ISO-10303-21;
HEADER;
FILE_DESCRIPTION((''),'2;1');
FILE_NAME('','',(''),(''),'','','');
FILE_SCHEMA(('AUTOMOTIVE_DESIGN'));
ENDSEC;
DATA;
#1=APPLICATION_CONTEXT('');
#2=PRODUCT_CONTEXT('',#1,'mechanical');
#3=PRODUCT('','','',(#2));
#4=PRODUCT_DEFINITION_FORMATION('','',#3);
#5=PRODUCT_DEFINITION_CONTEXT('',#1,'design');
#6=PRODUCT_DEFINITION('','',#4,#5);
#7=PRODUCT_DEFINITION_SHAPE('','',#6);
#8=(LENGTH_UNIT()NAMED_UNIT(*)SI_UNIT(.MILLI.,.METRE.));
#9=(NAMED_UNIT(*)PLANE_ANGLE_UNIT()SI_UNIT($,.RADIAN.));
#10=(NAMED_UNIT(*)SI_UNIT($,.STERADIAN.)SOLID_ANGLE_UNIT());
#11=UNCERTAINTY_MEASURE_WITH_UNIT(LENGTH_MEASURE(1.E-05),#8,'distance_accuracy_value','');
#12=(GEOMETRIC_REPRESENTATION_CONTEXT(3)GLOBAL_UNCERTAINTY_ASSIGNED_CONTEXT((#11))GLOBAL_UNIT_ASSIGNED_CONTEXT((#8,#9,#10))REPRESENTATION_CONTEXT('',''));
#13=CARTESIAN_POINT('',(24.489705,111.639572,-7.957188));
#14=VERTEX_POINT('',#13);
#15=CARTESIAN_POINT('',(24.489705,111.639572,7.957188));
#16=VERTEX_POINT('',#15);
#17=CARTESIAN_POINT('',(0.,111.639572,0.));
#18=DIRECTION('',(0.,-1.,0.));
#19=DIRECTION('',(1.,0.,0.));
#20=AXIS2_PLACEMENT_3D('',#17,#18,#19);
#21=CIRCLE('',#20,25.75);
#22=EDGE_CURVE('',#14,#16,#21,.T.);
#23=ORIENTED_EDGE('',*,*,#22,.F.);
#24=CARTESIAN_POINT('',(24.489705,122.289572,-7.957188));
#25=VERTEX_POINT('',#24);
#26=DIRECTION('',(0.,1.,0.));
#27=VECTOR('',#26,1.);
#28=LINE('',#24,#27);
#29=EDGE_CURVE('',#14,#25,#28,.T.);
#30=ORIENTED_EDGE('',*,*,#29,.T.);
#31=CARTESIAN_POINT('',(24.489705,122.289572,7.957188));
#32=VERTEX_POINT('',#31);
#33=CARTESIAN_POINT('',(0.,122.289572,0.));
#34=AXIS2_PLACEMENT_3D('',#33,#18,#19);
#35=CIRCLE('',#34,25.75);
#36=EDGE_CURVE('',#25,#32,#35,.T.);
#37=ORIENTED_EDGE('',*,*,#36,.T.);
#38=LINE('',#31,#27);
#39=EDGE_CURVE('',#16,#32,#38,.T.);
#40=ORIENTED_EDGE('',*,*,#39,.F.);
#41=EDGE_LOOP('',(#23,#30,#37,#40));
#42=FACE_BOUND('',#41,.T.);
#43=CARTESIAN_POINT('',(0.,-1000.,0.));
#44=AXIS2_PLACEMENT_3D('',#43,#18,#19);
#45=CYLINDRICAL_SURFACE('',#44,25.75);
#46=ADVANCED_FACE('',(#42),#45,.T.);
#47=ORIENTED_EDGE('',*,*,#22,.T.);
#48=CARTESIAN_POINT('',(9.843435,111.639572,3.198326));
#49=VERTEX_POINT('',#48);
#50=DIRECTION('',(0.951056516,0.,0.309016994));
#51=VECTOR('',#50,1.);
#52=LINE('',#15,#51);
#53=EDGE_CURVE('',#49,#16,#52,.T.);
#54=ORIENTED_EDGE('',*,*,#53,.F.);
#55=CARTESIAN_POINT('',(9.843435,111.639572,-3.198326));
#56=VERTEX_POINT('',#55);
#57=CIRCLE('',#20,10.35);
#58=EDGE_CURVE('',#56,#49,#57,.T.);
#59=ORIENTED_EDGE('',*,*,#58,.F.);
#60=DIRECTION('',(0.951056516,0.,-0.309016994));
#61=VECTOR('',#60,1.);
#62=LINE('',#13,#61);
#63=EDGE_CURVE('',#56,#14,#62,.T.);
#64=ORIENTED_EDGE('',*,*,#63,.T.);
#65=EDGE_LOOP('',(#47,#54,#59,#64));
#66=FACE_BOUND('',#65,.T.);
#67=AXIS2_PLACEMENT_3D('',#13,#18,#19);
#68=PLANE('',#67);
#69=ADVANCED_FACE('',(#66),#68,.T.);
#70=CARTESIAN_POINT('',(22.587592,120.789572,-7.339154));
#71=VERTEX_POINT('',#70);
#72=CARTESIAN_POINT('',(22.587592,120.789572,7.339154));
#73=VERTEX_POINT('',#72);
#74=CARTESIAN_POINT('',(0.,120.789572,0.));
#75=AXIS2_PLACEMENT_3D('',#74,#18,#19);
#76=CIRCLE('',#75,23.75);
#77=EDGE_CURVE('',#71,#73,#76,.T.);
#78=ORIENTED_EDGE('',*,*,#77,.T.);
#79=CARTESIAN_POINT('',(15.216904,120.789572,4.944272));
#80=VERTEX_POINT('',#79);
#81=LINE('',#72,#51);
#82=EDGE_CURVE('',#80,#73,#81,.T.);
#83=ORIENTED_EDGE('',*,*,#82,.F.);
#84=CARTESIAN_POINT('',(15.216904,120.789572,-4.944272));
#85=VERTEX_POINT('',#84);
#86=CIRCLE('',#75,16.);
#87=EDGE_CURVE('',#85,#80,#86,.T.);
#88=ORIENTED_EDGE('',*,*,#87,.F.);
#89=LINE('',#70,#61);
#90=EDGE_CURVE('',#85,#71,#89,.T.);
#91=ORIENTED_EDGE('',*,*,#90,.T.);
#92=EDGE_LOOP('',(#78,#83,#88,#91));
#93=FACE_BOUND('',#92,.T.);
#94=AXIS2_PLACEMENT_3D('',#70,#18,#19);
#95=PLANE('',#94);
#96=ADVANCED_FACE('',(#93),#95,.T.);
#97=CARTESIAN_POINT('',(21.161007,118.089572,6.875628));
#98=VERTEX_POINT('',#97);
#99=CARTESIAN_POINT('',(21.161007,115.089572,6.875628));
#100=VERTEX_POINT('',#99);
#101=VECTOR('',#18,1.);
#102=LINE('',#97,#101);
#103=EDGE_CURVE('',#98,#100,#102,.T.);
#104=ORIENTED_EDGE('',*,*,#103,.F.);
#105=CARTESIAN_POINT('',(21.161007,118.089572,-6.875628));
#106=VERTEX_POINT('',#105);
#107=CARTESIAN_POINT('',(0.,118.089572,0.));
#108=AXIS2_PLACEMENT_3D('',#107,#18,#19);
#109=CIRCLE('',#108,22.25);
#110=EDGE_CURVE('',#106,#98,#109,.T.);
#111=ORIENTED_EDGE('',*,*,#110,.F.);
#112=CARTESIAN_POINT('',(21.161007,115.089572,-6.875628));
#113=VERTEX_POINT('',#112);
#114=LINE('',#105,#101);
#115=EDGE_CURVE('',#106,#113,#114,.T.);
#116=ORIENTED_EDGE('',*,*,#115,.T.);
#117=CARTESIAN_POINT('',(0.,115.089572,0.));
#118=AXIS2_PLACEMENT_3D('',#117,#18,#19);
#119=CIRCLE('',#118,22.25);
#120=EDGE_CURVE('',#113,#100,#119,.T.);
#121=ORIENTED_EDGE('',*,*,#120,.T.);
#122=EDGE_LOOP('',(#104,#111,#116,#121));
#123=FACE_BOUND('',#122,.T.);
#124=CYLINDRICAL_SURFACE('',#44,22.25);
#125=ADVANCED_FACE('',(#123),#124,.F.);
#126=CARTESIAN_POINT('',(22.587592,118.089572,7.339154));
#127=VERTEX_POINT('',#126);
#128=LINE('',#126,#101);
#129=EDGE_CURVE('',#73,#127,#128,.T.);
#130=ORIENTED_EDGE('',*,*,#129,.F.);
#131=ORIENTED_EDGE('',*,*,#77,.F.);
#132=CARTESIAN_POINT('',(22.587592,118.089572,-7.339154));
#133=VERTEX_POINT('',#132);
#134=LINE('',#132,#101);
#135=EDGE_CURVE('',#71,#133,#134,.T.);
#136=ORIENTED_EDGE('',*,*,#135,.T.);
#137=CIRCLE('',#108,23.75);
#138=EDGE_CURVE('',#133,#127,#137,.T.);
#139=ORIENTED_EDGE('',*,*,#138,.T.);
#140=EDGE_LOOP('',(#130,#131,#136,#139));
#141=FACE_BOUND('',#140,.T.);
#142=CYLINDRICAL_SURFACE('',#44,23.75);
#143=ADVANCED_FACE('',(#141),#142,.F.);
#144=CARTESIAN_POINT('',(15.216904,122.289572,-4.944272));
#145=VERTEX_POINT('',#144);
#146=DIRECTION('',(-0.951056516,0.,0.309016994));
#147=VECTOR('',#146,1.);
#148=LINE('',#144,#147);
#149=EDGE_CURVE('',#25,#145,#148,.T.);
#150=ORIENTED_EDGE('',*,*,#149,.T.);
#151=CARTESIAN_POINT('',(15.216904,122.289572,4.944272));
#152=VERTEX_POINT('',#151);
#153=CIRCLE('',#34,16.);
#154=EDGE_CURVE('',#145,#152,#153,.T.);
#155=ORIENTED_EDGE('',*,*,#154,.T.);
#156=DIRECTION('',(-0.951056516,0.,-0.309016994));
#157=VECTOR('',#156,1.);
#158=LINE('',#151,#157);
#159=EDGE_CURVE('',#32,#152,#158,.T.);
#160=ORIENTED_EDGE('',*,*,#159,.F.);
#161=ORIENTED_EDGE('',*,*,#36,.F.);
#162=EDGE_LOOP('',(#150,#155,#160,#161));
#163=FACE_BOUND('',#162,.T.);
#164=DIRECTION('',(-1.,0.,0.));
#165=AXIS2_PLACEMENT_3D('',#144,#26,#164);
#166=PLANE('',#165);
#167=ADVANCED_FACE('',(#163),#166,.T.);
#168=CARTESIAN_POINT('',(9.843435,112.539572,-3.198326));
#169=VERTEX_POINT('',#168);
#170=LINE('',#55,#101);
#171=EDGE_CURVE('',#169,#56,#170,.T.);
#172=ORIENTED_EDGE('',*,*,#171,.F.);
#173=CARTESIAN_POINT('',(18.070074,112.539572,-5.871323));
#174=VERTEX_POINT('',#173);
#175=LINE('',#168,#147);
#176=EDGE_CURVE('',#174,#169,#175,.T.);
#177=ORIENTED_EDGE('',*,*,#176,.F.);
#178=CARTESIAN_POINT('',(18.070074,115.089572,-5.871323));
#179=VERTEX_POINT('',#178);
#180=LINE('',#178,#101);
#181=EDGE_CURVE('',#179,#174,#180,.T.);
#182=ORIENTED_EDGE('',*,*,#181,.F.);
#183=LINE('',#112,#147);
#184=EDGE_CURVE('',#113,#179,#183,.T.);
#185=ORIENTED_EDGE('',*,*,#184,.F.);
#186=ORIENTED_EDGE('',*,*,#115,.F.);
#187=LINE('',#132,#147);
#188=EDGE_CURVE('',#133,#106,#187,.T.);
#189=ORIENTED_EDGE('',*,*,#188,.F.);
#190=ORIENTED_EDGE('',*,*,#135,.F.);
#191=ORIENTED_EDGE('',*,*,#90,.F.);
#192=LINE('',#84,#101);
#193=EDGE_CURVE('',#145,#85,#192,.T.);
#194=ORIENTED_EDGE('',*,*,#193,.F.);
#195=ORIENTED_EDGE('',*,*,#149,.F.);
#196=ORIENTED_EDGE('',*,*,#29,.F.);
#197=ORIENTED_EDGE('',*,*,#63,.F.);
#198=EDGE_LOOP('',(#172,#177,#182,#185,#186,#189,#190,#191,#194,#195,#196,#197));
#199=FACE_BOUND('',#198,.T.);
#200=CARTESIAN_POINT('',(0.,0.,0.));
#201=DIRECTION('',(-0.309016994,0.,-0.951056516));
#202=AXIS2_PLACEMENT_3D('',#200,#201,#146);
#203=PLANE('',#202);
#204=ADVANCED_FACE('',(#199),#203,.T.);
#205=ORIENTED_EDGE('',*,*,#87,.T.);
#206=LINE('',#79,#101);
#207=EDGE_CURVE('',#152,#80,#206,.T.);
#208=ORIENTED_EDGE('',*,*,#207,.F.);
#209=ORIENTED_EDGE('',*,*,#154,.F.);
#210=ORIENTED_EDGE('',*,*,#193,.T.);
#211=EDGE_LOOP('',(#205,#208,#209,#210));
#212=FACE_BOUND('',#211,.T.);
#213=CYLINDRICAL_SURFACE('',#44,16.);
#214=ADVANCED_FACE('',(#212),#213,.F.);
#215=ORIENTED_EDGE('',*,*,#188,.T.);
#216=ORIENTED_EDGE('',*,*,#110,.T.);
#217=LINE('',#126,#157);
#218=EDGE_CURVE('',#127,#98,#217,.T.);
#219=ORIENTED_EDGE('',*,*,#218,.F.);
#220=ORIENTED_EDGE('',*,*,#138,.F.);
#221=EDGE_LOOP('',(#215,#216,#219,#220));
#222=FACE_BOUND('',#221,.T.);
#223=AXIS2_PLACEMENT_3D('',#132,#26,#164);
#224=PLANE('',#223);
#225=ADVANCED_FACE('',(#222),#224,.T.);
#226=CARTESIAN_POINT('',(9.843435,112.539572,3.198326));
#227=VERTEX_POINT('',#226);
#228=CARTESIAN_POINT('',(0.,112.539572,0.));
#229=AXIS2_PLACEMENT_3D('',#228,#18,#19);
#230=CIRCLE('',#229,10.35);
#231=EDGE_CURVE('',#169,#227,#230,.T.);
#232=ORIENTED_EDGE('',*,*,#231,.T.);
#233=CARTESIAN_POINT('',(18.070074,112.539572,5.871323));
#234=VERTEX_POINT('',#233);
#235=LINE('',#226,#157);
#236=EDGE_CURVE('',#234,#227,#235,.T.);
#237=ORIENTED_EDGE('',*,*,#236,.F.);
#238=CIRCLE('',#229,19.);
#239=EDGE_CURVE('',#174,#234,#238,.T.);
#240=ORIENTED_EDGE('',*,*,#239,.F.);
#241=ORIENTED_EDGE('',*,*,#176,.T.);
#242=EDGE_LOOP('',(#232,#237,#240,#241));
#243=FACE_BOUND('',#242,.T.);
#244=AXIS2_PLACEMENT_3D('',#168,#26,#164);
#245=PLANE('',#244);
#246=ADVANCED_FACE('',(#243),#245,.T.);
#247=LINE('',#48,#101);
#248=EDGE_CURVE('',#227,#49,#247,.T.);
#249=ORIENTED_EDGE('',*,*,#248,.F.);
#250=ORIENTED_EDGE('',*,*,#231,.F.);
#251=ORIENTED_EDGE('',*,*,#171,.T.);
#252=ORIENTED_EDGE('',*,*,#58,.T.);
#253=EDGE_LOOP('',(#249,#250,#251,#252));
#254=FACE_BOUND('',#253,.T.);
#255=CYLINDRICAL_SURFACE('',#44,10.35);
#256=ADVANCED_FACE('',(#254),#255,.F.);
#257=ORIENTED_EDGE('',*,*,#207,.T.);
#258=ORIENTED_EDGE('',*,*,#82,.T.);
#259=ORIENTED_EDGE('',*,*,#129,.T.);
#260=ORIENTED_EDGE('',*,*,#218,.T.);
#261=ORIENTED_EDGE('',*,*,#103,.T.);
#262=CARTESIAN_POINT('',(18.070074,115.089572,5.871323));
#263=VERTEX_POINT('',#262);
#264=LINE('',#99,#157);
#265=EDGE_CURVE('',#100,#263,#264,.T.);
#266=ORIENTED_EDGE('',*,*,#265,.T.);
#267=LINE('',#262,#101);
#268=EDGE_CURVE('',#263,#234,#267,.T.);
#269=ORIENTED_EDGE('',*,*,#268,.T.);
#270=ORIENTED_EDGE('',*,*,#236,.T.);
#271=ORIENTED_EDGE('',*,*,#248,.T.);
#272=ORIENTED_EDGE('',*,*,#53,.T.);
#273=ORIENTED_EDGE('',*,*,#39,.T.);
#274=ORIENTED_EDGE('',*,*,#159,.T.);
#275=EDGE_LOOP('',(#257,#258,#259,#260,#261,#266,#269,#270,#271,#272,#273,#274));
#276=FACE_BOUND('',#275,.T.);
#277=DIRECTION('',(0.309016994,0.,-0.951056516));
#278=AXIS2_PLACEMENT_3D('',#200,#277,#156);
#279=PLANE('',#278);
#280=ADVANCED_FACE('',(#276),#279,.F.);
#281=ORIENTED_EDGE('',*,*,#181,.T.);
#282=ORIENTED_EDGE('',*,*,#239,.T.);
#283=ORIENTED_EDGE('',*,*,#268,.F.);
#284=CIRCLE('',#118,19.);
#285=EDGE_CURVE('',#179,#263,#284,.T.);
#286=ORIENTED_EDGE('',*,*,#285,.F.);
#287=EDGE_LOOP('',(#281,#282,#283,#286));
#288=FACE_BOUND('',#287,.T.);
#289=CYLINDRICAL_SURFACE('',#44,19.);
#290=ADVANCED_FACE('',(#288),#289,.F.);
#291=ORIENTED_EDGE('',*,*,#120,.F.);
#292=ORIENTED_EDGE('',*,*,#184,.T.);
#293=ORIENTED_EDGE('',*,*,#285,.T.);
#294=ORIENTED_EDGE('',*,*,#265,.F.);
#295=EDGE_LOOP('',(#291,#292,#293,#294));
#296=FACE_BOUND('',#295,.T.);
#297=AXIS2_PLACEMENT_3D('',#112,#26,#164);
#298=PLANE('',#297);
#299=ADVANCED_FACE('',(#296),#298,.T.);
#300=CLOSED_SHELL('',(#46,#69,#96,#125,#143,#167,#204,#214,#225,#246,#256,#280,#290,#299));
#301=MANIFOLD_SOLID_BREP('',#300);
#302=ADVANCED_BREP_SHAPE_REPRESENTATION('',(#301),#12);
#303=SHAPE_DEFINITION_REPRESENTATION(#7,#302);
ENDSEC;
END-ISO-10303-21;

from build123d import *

# Parameters (mm, degrees)
REVOLVE1_ANGLE           = 18
REVOLVE1_OTHER_WAY_ANGLE = 18


with BuildPart() as part:
    # Sketch2 → Revolve1 (revolve)
    with BuildSketch(Plane.XY):
        Polygon((10.35, 112.53957189), (19, 112.53957189), (19, 115.08957189), (22.25, 115.08957189), (22.25, 118.08957189), (23.75, 118.08957189), (23.75, 120.78957189), (16, 120.78957189), (16, 122.28957189), (25.75, 122.28957189), (25.75, 111.63957189), (10.35, 111.63957189), align=None)
    revolve(axis=Axis((0, -1000, 0), (0, 1, 0)), revolution_arc=REVOLVE1_ANGLE)

    # Sketch2 → Revolve1 other way (revolve)
    with BuildSketch(Plane.XY):
        Polygon((10.35, 112.53957189), (19, 112.53957189), (19, 115.08957189), (22.25, 115.08957189), (22.25, 118.08957189), (23.75, 118.08957189), (23.75, 120.78957189), (16, 120.78957189), (16, 122.28957189), (25.75, 122.28957189), (25.75, 111.63957189), (10.35, 111.63957189), align=None)
    revolve(axis=Axis((0, -1000, 0), (0, -1, 0)), revolution_arc=REVOLVE1_OTHER_WAY_ANGLE)


solid = part.part
